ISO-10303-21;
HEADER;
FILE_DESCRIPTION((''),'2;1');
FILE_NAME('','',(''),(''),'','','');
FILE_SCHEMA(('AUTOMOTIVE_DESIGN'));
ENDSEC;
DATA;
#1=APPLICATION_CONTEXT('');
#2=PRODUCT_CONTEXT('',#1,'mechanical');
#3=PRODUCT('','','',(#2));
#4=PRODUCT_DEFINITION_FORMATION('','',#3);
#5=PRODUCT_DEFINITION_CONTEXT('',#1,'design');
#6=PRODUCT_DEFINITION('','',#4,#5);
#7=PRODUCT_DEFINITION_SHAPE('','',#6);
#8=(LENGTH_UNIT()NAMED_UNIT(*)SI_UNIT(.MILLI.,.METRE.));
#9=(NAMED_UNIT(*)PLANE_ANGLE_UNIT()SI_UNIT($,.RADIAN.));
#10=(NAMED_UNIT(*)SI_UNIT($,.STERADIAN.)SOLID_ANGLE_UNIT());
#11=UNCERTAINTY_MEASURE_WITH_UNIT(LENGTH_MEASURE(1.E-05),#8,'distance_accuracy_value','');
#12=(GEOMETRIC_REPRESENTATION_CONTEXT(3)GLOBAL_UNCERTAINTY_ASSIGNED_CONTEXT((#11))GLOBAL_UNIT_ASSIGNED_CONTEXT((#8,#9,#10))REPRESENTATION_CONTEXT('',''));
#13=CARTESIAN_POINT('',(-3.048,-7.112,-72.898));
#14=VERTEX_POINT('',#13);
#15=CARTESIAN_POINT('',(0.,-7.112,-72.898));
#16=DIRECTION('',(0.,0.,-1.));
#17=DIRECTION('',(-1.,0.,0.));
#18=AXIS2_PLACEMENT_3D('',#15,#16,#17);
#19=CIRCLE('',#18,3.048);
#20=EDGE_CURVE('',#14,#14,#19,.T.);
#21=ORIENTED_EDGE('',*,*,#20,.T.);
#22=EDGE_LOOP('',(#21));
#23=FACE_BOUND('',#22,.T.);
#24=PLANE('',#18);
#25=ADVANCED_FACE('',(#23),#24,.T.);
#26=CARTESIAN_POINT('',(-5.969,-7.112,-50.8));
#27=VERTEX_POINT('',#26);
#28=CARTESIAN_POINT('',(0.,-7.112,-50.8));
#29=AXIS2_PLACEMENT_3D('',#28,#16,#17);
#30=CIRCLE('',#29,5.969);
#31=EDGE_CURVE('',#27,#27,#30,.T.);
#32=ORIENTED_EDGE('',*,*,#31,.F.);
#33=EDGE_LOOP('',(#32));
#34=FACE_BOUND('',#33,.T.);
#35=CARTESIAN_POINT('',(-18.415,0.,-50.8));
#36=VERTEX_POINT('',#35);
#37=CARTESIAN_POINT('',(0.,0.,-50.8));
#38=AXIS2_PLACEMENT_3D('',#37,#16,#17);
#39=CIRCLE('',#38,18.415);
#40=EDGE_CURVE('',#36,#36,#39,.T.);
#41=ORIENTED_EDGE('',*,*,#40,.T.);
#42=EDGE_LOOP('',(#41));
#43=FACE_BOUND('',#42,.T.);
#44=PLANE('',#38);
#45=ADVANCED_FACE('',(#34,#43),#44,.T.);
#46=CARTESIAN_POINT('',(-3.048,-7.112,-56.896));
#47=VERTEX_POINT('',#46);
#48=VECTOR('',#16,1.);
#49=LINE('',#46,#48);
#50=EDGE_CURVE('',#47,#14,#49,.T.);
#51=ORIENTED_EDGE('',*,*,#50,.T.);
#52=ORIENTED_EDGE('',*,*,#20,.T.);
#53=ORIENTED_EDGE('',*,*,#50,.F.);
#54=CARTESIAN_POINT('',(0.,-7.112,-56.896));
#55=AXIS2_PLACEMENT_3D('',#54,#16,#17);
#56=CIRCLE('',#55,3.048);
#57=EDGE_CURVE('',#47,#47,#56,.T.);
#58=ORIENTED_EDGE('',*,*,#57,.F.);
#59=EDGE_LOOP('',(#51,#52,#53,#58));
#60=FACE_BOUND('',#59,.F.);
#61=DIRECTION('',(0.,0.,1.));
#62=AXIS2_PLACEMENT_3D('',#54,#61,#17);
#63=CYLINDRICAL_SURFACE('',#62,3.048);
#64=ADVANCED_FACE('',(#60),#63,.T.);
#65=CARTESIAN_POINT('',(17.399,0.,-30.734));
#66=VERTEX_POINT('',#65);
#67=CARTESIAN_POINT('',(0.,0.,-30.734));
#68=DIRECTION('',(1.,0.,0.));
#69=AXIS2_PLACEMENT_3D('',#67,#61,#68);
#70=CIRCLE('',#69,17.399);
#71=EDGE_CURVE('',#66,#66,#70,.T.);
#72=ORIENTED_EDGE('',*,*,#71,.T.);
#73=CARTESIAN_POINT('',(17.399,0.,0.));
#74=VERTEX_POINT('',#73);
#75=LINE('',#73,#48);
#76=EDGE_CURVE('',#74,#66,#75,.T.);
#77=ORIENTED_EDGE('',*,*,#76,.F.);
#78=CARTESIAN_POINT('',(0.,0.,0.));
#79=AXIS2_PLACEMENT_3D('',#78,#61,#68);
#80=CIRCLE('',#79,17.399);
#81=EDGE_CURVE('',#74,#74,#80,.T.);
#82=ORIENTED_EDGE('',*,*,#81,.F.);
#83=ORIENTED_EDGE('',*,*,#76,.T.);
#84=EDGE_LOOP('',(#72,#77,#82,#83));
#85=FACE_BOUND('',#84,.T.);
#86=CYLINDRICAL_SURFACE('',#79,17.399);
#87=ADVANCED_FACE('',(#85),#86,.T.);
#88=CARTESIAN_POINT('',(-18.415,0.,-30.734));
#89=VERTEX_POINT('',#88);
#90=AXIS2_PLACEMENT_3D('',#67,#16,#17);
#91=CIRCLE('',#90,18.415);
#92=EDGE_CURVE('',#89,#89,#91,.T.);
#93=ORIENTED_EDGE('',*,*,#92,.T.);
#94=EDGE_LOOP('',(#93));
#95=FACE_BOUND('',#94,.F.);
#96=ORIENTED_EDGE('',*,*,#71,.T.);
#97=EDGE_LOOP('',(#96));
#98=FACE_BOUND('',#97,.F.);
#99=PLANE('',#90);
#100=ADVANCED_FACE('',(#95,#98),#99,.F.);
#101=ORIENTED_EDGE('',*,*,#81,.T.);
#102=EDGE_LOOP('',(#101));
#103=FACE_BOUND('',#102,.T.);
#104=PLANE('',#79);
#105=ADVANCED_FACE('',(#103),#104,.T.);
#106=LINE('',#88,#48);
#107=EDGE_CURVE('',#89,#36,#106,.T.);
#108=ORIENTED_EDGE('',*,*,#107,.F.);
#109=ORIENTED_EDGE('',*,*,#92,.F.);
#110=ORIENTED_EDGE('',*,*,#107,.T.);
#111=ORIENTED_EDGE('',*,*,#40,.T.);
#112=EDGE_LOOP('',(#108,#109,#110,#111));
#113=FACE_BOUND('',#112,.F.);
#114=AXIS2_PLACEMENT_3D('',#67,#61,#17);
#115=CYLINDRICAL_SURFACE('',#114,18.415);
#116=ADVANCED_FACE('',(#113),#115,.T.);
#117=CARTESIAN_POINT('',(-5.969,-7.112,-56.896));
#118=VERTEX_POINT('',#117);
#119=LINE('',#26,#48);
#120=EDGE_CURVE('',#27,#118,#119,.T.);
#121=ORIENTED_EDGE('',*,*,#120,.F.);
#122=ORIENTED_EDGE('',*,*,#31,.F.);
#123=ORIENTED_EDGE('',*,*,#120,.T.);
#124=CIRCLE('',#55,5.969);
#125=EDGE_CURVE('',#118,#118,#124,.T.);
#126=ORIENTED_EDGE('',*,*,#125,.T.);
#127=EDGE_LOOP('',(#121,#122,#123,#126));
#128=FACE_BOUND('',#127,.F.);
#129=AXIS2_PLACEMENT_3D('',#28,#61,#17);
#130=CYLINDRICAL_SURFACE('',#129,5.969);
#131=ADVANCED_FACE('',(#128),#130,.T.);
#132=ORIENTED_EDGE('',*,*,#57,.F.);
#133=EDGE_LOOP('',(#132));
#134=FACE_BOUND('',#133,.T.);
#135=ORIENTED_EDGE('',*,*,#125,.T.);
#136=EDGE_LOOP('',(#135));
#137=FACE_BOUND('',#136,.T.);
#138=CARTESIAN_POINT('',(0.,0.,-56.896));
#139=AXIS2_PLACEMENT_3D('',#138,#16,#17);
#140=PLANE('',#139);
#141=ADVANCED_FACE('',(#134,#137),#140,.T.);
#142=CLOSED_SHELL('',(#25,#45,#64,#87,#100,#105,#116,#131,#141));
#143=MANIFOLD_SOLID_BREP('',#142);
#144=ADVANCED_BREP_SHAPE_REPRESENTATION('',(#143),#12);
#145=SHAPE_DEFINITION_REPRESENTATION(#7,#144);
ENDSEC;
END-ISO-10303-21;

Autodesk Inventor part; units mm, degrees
ref_plane "YZ Plane" through (0, 0, 0) normal (1, 0, 0) x (0, 1, 0)
ref_plane "XZ Plane" through (0, 0, 0) normal (0, 1, 0) x (-1, 0, 0)
ref_plane "XY Plane" through (0, 0, 0) normal (0, 0, 1) x (1, 0, 0)
sketch "Sketch1" plane through (0, 0, 0) normal (0, 0, 1) x (1, 0, 0)
  circle A0 centre (0, 0) radius 17.399
  dimension "d0" = 34.798
extrude "Extrusion1" add sketch "Sketch1" against normal blind 30.734
sketch "Sketch2" plane through (0, 0, -30.734) normal (0, 0, -1) x (-1, 0, 0)
  circle A0 centre (0, 0) radius 18.415
  dimension "d3" = 36.83
extrude "Extrusion2" add sketch "Sketch2" along normal blind 20.066
sketch "Sketch3" plane through (0, 0, -50.8) normal (0, 0, -1) x (-1, 0, 0)
  line L0 (0, 0) -> (0, -7.112) construction
  circle A0 centre (0, -7.112) radius 5.969
  dimension "d6" = 7.112
  dimension "d7" = 11.938
extrude "Extrusion3" add sketch "Sketch3" along normal blind 6.096
sketch "Sketch4" plane through (0, -7.112, -56.896) normal (0, 0, -1) x (-1, 0, 0)
  circle A0 centre (0, 0) radius 3.048
  point P0 (0, 7.112)
  dimension "d10" = 6.096
extrude "Extrusion4" add sketch "Sketch4" along normal blind 16.002
properties part number "ShootingMech_Moter"
